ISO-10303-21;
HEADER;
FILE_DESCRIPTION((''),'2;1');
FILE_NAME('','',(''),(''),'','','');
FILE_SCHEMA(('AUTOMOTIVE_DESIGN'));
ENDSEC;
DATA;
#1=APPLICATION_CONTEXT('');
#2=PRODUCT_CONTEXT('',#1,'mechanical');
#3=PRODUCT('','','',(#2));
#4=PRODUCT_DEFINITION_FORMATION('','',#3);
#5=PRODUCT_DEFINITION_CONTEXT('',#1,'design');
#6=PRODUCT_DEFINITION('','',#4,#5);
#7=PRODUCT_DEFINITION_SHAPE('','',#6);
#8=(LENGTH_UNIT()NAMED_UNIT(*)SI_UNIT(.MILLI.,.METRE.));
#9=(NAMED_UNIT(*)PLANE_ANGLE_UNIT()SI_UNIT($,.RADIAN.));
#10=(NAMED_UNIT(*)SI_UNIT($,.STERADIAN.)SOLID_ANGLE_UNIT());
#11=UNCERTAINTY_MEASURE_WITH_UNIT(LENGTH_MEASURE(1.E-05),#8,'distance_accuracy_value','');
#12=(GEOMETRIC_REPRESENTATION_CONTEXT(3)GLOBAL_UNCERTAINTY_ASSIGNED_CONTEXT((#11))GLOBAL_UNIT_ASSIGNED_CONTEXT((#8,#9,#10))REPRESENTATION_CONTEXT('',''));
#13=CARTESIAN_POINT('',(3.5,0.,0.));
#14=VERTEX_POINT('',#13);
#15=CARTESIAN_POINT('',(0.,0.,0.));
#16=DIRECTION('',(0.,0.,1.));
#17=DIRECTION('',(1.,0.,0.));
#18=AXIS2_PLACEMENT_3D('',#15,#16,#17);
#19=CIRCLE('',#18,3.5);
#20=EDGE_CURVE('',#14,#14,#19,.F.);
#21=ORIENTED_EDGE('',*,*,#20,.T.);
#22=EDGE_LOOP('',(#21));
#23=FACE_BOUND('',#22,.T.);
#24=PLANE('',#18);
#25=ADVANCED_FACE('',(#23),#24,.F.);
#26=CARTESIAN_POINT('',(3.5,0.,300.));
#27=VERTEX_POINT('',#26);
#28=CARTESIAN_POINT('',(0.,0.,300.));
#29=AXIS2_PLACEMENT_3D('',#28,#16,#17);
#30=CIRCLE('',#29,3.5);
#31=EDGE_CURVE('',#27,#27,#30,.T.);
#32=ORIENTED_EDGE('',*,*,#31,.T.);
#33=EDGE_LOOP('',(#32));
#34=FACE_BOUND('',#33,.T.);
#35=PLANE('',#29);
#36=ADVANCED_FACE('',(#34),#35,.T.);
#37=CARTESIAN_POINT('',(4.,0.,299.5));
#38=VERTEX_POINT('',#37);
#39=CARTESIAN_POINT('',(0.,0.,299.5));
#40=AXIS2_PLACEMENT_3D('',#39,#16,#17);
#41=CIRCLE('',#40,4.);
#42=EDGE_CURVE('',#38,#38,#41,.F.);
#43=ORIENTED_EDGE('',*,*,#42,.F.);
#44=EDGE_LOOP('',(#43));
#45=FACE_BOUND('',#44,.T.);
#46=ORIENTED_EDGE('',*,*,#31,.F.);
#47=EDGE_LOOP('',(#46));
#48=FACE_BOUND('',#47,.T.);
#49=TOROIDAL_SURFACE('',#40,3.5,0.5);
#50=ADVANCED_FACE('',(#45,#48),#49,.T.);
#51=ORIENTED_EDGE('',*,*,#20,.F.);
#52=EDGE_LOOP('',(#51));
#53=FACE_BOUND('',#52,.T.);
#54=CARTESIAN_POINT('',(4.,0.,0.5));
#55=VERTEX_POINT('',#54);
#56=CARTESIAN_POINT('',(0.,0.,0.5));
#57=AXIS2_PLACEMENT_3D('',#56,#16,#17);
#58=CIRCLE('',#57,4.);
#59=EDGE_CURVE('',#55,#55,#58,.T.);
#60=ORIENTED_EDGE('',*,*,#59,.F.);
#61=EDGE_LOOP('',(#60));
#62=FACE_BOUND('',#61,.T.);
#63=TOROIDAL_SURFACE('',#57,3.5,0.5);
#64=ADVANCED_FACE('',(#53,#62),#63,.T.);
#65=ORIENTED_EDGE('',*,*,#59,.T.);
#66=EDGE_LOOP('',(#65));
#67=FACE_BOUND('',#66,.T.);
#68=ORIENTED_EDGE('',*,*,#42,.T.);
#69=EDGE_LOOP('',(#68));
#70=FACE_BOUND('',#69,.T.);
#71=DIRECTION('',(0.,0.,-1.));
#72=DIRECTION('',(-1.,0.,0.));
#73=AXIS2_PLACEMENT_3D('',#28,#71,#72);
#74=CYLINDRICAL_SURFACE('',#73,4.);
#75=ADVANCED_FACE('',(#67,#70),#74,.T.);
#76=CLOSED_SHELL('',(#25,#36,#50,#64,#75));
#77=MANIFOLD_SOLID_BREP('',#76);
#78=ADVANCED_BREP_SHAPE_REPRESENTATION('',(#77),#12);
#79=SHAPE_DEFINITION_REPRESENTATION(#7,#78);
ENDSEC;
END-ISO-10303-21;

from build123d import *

# Parameters (mm, degrees)
CROQUIS1_R              = 4
SALIENTE_EXTRUIR1_DEPTH = 300
REDONDEO1_R             = 0.5


with BuildPart() as part:
    # Croquis1 → Saliente-Extruir1 (new body)
    with BuildSketch(Plane.XY):
        Circle(CROQUIS1_R)
    extrude(amount=SALIENTE_EXTRUIR1_DEPTH)

    # Redondeo1
    redondeo1_edges = [part.edges().sort_by_distance(p)[0] for p in [
        (-4, 0, 0),
        (-4, 0, 300),
    ]]
    fillet(redondeo1_edges, radius=REDONDEO1_R)


solid = part.part
